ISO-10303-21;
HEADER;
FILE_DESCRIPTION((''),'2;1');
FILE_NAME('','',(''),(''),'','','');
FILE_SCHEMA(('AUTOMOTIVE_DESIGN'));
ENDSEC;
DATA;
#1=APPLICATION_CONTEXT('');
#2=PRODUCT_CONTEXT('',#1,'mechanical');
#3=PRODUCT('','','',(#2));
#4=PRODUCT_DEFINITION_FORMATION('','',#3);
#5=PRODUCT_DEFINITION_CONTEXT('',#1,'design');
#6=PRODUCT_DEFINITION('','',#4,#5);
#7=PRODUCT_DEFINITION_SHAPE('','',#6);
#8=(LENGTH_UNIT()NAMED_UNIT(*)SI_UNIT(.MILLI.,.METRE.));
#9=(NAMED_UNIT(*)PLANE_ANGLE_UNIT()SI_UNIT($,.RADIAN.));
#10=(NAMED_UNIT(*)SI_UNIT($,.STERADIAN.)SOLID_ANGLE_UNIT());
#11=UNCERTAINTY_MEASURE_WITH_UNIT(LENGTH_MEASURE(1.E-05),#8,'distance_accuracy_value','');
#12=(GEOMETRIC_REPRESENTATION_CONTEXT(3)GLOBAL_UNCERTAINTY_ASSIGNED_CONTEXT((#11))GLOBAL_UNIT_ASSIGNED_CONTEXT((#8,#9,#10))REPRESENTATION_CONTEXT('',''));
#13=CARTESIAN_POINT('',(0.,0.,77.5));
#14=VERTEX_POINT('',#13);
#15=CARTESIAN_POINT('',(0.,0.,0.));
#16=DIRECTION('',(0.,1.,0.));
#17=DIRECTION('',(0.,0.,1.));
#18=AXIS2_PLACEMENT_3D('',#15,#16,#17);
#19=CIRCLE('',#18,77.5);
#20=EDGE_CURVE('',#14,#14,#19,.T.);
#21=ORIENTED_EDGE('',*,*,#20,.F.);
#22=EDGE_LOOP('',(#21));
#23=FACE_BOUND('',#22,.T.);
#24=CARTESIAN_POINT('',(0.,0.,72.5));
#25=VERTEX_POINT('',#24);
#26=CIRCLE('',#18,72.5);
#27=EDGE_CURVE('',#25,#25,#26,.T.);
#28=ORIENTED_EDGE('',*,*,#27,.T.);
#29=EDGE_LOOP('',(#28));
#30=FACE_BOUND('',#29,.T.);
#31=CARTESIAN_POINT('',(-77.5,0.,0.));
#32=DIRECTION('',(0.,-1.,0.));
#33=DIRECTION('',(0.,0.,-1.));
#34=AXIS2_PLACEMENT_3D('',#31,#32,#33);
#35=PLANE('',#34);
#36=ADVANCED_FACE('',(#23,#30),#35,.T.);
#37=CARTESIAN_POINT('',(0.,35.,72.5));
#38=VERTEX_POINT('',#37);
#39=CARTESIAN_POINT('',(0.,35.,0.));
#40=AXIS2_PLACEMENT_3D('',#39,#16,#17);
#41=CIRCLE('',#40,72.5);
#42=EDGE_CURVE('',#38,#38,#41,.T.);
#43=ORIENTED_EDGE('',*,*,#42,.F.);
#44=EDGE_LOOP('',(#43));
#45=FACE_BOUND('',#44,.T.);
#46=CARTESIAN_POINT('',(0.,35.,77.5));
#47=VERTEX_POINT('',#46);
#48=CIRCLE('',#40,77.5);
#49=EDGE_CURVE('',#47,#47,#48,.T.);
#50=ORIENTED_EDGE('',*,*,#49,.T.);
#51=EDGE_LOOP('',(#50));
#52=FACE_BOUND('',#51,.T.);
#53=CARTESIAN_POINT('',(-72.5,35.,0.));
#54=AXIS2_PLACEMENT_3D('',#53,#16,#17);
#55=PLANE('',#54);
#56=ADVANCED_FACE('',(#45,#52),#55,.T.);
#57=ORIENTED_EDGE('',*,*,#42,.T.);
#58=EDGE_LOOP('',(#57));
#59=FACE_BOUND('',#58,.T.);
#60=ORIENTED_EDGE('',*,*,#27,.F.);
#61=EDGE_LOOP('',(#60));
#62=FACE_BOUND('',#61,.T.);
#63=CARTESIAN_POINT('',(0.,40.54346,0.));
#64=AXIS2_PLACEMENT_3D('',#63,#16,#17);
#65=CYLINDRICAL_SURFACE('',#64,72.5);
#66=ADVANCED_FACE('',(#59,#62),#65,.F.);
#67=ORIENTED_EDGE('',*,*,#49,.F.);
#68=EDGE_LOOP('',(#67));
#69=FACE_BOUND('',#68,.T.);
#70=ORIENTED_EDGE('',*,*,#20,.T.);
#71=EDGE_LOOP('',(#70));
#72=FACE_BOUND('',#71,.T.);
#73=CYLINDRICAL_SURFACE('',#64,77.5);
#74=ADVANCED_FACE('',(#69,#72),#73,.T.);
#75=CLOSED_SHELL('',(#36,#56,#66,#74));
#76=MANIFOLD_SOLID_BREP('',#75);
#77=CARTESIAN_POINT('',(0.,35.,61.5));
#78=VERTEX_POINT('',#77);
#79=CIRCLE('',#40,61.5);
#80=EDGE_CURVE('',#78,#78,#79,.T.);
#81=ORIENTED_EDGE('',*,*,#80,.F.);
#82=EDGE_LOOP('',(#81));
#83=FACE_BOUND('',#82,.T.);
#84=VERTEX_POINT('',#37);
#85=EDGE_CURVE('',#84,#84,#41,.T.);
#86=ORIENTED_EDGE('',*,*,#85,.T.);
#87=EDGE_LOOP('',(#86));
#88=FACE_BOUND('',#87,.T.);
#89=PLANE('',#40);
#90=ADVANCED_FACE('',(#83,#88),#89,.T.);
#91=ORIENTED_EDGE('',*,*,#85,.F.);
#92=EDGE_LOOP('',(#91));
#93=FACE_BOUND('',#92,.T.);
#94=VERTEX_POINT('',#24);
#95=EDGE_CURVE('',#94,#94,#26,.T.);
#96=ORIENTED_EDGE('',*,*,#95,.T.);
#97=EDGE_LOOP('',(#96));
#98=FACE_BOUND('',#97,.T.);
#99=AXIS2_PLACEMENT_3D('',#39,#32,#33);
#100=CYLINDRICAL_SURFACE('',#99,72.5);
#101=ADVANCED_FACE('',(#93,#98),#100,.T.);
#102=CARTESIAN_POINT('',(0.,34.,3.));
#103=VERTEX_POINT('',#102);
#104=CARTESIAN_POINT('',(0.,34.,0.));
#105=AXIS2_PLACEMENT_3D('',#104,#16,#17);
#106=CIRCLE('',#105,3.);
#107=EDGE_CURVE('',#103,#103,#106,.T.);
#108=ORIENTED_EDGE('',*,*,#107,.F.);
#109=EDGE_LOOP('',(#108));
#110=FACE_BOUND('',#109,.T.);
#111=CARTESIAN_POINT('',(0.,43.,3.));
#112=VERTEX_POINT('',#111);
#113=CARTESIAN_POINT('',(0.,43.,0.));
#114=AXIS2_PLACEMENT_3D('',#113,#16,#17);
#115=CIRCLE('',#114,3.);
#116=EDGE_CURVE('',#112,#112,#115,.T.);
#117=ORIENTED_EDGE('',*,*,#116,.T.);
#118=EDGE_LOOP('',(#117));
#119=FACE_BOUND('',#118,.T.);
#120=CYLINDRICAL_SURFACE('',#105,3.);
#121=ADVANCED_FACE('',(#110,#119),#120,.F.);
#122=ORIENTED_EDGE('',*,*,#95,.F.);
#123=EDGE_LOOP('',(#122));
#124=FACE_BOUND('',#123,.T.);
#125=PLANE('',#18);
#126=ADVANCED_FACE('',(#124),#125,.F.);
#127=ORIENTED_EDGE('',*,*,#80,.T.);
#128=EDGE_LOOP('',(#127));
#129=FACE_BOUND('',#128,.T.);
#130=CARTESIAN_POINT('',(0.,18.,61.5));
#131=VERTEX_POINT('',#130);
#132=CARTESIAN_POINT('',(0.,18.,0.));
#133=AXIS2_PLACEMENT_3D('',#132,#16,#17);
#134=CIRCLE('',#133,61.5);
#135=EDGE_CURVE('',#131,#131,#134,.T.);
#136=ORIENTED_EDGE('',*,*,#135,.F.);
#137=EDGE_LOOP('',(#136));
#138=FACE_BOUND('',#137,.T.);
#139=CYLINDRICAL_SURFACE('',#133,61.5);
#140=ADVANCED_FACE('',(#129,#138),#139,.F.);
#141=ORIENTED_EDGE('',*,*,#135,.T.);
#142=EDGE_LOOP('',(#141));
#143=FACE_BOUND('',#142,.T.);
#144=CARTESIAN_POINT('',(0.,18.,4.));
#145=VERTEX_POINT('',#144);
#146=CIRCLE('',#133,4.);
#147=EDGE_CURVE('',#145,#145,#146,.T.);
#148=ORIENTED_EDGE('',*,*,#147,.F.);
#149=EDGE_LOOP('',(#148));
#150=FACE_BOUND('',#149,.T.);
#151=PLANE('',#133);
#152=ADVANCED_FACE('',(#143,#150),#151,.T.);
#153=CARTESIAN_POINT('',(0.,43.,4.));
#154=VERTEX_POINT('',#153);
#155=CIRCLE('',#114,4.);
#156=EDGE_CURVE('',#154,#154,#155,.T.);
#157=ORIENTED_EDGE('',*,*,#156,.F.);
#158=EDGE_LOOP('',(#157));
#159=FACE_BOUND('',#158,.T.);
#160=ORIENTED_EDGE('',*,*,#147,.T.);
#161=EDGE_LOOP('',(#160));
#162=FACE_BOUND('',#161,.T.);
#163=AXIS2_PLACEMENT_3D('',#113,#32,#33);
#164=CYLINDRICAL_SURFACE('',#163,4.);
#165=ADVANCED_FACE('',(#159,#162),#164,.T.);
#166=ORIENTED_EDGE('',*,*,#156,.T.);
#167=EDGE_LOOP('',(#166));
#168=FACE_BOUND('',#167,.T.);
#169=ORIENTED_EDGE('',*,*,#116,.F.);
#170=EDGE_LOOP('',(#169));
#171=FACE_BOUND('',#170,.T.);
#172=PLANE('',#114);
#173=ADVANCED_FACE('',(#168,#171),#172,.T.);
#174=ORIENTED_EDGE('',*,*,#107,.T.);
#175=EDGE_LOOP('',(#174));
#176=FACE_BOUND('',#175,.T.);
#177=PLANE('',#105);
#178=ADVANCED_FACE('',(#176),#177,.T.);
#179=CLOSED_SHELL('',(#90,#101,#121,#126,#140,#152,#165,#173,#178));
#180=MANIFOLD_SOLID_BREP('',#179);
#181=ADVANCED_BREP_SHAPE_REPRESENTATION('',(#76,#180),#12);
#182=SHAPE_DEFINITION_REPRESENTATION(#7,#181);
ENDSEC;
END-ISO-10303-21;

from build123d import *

# Parameters (mm, degrees)
SKETCH1_R           = 72.5
BOSS_EXTRUDE1_DEPTH = 35
SKETCH2_R           = 61.5
CUT_EXTRUDE2_DEPTH  = 17
SKETCH4_R           = 4
BOSS_EXTRUDE2_DEPTH = 25
SKETCH5_R           = 3
CUT_EXTRUDE4_DEPTH  = 9
SKETCH8_W           = 5
SKETCH8_H           = 35


with BuildPart() as part:
    # Sketch1 → Boss-Extrude1 (new body)
    with BuildSketch(Plane(origin=(0, 0, 0), x_dir=(1, 0, 0), z_dir=(0, 1, 0))):
        with Locations(Location((0, 0, 0), (0, 0, 270))):
            Circle(SKETCH1_R)
    extrude(amount=BOSS_EXTRUDE1_DEPTH)

    # Sketch2 → Cut-Extrude2 (cut)
    with BuildSketch(Plane(origin=(0, 35, 0), x_dir=(1, 0, 0), z_dir=(0, 1, 0))):
        with Locations(Location((0, 0, 0), (0, 0, 270))):
            Circle(SKETCH2_R)
    extrude(amount=-CUT_EXTRUDE2_DEPTH, mode=Mode.SUBTRACT)

    # Sketch4 → Boss-Extrude2 (add)
    with BuildSketch(Plane(origin=(0, 18, 0), x_dir=(1, 0, 0), z_dir=(0, 1, 0))):
        with Locations(Location((0, 0, 0), (0, 0, 270))):
            Circle(SKETCH4_R)
    extrude(amount=BOSS_EXTRUDE2_DEPTH)

    # Sketch5 → Cut-Extrude4 (cut)
    with BuildSketch(Plane(origin=(0, 43, 0), x_dir=(1, 0, 0), z_dir=(0, 1, 0))):
        with Locations(Location((0, 0, 0), (0, 0, 270))):
            Circle(SKETCH5_R)
    extrude(amount=-CUT_EXTRUDE4_DEPTH, mode=Mode.SUBTRACT)


with BuildPart() as body_2:
    # Sketch8 → Revolve1 (revolve)
    with BuildSketch(Plane.XY, mode=Mode.PRIVATE) as revolve1_sk:
        with Locations((-75, 17.5)):
            Rectangle(SKETCH8_W, SKETCH8_H)
    revolve(revolve1_sk.sketch.rotate(Axis((0, 40.543459587, 0), (0, -1, 0)), 270), axis=Axis((0, 40.543459587, 0), (0, -1, 0)))


solid = Compound([part.part, body_2.part])
